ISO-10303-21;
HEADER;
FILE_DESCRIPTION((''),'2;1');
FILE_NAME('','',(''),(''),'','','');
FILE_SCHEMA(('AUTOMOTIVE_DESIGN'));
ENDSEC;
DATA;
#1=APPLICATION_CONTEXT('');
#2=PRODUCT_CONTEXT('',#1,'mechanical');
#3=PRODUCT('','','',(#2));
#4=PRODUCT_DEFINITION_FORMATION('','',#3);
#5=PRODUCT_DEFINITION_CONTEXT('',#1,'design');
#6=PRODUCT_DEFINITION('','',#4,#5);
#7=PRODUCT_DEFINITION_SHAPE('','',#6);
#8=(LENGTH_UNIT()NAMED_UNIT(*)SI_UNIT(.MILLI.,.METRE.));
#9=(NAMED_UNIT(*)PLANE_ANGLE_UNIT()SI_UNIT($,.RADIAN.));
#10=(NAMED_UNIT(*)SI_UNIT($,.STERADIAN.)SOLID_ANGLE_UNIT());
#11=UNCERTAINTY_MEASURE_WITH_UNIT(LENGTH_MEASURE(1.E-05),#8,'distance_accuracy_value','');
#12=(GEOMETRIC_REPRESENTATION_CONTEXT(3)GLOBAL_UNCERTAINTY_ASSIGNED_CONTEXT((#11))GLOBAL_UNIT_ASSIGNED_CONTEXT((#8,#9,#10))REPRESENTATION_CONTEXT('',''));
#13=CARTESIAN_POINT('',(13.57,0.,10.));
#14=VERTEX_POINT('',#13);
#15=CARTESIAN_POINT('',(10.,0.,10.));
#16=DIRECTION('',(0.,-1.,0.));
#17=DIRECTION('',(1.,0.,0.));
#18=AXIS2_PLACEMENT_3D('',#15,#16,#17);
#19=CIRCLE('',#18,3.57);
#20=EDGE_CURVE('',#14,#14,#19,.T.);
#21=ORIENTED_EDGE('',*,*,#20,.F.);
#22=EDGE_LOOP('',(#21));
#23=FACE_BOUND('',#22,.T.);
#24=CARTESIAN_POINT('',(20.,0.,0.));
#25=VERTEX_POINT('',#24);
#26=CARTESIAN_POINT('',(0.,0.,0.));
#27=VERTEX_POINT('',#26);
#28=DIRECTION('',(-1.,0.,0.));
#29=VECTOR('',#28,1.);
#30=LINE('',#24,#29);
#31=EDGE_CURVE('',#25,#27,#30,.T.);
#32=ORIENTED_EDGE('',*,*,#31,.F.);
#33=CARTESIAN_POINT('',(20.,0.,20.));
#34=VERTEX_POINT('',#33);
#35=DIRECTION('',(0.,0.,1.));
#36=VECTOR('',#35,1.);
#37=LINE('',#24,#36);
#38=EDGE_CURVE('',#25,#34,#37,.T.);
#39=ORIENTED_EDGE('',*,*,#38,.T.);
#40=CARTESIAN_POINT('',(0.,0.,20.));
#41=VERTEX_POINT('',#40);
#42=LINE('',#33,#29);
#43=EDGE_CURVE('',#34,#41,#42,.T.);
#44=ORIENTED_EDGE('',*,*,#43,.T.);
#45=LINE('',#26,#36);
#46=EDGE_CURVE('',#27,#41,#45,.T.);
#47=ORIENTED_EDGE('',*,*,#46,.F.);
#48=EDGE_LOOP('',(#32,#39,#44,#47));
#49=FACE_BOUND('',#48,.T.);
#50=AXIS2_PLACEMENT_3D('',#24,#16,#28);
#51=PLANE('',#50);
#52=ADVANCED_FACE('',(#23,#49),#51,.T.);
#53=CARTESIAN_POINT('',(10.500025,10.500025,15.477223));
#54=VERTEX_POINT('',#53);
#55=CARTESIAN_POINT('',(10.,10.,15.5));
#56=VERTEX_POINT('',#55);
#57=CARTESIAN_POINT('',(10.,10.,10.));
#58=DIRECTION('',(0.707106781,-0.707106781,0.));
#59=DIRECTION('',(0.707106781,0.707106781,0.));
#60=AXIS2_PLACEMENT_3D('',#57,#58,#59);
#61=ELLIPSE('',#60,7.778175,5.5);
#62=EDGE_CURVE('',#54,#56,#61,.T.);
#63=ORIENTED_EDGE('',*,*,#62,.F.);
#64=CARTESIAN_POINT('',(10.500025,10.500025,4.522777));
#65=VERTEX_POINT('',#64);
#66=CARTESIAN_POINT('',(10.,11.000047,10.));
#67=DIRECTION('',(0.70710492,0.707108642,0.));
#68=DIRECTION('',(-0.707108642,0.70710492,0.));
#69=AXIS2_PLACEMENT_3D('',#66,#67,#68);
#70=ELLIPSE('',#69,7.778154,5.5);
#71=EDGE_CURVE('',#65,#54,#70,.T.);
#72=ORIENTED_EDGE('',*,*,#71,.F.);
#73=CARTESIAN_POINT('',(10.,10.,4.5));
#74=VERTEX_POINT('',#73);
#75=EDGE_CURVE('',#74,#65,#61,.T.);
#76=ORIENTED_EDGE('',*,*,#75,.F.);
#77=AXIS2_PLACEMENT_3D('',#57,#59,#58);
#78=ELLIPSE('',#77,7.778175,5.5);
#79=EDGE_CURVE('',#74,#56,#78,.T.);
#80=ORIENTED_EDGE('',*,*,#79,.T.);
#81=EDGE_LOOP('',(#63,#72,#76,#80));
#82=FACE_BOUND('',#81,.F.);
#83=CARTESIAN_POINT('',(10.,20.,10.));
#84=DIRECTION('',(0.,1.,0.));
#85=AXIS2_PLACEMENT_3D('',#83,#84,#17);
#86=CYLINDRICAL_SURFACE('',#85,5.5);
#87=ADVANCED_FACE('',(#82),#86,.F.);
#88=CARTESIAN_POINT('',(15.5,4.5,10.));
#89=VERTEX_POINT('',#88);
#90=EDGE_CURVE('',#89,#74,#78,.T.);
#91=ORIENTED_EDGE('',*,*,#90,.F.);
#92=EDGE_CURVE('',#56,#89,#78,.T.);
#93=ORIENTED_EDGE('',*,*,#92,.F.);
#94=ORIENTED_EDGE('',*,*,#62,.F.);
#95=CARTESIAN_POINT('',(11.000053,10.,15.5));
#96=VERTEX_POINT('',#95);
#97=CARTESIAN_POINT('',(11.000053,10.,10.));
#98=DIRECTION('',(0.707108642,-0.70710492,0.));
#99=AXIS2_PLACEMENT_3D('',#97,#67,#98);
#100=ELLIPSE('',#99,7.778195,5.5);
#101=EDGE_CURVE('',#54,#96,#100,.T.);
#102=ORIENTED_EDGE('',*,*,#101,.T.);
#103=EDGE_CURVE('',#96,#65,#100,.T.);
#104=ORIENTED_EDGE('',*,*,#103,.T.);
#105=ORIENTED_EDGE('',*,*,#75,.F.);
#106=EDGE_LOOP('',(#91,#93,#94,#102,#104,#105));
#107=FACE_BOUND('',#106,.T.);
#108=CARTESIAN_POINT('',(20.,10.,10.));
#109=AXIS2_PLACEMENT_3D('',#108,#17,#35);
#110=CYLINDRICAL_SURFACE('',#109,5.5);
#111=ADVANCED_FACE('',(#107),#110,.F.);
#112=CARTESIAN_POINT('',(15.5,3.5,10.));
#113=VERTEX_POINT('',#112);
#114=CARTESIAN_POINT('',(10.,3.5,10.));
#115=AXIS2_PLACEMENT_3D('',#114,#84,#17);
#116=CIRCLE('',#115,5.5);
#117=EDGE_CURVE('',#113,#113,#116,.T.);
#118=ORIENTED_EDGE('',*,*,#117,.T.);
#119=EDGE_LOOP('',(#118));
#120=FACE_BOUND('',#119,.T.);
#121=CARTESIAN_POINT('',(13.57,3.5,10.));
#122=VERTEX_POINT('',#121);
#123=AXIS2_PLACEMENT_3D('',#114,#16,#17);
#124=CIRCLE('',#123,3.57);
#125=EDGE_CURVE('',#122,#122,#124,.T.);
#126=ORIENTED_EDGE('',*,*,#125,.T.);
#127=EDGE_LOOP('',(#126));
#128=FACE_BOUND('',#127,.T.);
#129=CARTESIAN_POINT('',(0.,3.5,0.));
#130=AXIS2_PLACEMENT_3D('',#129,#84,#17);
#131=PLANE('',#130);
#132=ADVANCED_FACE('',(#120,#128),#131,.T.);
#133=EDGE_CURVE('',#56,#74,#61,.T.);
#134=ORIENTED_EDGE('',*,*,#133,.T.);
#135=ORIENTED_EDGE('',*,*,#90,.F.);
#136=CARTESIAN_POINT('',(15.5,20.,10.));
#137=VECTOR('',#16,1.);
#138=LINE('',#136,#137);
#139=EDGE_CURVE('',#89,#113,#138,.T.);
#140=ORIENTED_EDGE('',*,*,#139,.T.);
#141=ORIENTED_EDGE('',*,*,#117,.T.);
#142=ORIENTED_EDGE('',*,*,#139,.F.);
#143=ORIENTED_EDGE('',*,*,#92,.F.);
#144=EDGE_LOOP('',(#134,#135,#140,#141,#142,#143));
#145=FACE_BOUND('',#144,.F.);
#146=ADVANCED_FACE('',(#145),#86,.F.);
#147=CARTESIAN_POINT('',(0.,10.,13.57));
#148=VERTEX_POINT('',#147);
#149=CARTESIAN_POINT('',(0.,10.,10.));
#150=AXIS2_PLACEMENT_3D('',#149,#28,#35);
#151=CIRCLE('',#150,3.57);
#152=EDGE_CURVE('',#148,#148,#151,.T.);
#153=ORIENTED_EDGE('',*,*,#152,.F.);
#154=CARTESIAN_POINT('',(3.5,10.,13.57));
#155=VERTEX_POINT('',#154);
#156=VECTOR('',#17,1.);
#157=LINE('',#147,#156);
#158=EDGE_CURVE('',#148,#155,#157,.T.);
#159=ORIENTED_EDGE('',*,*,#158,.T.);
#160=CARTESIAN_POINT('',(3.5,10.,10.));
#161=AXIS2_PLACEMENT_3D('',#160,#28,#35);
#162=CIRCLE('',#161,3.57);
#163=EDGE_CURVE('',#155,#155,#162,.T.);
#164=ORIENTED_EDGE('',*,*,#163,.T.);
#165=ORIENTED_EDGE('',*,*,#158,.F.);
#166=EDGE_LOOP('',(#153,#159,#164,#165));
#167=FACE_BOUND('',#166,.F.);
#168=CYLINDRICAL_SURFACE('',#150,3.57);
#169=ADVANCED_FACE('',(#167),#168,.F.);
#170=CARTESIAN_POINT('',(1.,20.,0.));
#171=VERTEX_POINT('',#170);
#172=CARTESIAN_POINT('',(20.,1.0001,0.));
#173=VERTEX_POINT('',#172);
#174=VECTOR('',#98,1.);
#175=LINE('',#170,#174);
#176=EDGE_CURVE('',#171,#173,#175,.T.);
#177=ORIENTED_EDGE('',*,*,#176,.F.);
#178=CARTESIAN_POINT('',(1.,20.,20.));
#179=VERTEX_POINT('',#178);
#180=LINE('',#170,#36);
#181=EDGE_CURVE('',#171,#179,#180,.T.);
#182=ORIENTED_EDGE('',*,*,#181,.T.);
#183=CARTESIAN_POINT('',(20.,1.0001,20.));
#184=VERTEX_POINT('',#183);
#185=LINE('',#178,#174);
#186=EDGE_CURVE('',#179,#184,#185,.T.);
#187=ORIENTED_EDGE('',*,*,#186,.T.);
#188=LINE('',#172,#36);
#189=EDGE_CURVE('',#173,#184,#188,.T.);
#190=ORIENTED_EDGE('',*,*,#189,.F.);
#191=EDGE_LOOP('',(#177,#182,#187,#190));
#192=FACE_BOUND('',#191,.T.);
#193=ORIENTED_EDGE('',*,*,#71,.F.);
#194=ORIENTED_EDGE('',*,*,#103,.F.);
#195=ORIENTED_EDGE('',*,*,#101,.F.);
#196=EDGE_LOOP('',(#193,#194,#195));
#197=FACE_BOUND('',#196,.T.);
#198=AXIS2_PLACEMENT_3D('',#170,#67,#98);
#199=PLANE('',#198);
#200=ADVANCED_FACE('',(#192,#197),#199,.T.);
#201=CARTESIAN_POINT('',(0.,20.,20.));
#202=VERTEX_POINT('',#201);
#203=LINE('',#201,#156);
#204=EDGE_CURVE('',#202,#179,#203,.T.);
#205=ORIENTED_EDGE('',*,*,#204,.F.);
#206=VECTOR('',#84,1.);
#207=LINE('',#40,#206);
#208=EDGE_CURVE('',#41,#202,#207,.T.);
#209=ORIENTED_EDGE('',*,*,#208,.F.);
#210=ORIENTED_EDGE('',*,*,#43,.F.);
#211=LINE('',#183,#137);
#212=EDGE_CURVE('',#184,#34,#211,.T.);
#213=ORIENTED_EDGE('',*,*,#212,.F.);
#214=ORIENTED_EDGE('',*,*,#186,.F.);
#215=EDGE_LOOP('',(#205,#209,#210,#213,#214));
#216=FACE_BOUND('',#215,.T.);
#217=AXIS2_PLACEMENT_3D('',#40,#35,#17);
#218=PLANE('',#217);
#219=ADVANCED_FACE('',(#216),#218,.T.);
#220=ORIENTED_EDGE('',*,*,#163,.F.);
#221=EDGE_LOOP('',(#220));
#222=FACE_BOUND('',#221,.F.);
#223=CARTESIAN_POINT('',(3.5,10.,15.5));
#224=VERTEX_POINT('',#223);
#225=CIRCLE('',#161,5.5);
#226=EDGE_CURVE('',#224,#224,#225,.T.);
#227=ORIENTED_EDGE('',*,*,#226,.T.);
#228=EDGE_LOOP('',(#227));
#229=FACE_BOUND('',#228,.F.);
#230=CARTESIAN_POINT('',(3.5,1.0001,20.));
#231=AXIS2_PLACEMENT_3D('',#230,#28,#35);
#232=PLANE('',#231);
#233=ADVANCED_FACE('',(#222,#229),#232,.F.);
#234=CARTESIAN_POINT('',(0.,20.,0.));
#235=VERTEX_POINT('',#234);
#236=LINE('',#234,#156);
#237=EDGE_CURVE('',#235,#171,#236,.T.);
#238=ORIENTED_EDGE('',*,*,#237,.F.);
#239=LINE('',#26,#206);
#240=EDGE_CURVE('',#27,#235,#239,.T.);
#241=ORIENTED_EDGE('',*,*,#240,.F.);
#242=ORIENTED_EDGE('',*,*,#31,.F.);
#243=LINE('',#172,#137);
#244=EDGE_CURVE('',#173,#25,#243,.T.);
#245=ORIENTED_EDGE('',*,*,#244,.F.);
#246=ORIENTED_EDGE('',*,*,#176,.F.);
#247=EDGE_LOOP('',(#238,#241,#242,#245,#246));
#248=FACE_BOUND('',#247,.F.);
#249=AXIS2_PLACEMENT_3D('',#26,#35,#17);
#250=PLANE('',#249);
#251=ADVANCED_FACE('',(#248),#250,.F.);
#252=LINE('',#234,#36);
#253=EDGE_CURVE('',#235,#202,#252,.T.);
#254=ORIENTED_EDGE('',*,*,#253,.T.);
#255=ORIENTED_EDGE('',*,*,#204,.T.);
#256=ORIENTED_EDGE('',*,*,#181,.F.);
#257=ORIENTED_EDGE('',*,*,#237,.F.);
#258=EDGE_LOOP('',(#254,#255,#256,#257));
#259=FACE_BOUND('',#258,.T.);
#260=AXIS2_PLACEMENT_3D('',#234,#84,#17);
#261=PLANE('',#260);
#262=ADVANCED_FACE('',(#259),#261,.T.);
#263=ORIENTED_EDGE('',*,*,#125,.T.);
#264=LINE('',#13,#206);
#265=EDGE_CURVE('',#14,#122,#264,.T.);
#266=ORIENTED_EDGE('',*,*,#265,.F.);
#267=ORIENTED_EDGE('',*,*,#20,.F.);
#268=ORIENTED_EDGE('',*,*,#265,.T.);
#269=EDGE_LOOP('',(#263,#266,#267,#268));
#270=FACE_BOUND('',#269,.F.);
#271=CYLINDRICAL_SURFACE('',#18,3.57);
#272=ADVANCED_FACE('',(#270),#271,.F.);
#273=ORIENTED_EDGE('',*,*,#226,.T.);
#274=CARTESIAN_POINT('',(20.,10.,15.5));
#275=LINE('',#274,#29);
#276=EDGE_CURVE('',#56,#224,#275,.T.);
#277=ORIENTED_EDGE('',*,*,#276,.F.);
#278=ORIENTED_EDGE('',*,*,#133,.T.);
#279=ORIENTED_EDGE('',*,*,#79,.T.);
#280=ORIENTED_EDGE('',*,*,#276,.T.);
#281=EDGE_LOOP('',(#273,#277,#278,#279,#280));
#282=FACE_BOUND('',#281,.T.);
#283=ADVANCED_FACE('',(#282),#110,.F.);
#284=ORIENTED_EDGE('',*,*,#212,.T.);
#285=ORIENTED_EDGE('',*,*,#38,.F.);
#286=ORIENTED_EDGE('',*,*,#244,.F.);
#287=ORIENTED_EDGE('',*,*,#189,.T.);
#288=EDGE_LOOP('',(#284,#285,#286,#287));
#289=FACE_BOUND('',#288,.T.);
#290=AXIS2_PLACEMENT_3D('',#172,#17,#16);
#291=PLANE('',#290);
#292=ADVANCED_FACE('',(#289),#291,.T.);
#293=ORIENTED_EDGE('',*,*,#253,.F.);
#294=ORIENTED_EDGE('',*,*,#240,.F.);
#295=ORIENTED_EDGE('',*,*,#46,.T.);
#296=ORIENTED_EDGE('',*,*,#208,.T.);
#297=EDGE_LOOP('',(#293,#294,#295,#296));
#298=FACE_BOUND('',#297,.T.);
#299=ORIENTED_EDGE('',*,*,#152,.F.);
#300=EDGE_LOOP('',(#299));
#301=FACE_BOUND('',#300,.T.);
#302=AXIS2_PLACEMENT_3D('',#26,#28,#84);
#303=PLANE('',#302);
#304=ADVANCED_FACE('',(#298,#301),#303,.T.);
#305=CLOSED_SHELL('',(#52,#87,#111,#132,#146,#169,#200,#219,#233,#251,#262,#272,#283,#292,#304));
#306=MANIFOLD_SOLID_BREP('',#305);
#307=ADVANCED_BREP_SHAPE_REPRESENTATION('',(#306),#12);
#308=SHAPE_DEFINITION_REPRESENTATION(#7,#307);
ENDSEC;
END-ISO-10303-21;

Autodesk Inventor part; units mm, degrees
ref_plane "YZ Plane" through (0, 0, 0) normal (1, 0, 0) x (0, 1, 0)
ref_plane "XZ Plane" through (0, 0, 0) normal (0, 1, 0) x (-1, 0, 0)
sketch "Sketch1" plane through (0, 0, 0) normal (0, 0, 1) x (1, 0, 0)
  line L0 (0, 0) -> (0, 20)
  line L1 (20, 0) -> (0, 0)
  line L2 (0, 20) -> (1, 20)
  line L3 (1, 20) -> (20, 1.0001)
  line L4 (20, 1.0001) -> (20, 0)
  dimension "d0" = 20
  dimension "d1" = 20
  dimension "d2" = 1
  dimension "d3" = 26.87
  dimension "d4" = 1.0001
extrude "Extrusion1" add sketch "Sketch1" along normal blind 20
sketch "Sketch2" plane through (0, 0, 0) normal (-1, 0, 0) x (0, 0, 1)
  line L0 (0, 0) -> (20, 0) projected
  circle A0 centre (10, 10) radius 3.57
  circle A1 centre (10, 10) radius 5.5
  line L1 (10, 19.6278) -> (10, 0) construction
  dimension "d7" = 7.14
  dimension "d8" = 11
  dimension "d9" = 4.5
extrude "Extrusion2" cut sketch "Sketch2" against normal through all contours A0
sketch "Sketch3" plane through (0, 0, 0) normal (0, -1, 0) x (1, 0, 0)
  circle A0 centre (10, 10) radius 3.57
  dimension "d12" = 7.14
extrude "Extrusion3" cut sketch "Sketch3" against normal through all
ref_plane "Work Plane1" through (20, 1.0001, 20) normal (-1, 0, 0) x (0, 0, 1)
sketch "Sketch4" plane through (20, 1.0001, 20) normal (-1, 0, 0) x (0, 0, 1)
  circle A0 centre (-10, 8.9999) radius 3.57 projected
  circle A1 centre (-10, 8.9999) radius 5.5
  point P0 (-20, -1.0001)
  dimension "d15" = 11
extrude "Extrusion4" cut sketch "Sketch4" along normal blind 16.5
sketch "Sketch5" plane through (0, 20, 0) normal (0, 1, 0) x (1, 0, 0)
  circle A0 centre (10, -10) radius 5.5
  dimension "d18" = 11
extrude "Extrusion5" cut sketch "Sketch5" against normal blind 16.5
equation "\"d1\" = d0"
properties part number "90 Degree Corner Connector" material "Acetal Resin, White"
